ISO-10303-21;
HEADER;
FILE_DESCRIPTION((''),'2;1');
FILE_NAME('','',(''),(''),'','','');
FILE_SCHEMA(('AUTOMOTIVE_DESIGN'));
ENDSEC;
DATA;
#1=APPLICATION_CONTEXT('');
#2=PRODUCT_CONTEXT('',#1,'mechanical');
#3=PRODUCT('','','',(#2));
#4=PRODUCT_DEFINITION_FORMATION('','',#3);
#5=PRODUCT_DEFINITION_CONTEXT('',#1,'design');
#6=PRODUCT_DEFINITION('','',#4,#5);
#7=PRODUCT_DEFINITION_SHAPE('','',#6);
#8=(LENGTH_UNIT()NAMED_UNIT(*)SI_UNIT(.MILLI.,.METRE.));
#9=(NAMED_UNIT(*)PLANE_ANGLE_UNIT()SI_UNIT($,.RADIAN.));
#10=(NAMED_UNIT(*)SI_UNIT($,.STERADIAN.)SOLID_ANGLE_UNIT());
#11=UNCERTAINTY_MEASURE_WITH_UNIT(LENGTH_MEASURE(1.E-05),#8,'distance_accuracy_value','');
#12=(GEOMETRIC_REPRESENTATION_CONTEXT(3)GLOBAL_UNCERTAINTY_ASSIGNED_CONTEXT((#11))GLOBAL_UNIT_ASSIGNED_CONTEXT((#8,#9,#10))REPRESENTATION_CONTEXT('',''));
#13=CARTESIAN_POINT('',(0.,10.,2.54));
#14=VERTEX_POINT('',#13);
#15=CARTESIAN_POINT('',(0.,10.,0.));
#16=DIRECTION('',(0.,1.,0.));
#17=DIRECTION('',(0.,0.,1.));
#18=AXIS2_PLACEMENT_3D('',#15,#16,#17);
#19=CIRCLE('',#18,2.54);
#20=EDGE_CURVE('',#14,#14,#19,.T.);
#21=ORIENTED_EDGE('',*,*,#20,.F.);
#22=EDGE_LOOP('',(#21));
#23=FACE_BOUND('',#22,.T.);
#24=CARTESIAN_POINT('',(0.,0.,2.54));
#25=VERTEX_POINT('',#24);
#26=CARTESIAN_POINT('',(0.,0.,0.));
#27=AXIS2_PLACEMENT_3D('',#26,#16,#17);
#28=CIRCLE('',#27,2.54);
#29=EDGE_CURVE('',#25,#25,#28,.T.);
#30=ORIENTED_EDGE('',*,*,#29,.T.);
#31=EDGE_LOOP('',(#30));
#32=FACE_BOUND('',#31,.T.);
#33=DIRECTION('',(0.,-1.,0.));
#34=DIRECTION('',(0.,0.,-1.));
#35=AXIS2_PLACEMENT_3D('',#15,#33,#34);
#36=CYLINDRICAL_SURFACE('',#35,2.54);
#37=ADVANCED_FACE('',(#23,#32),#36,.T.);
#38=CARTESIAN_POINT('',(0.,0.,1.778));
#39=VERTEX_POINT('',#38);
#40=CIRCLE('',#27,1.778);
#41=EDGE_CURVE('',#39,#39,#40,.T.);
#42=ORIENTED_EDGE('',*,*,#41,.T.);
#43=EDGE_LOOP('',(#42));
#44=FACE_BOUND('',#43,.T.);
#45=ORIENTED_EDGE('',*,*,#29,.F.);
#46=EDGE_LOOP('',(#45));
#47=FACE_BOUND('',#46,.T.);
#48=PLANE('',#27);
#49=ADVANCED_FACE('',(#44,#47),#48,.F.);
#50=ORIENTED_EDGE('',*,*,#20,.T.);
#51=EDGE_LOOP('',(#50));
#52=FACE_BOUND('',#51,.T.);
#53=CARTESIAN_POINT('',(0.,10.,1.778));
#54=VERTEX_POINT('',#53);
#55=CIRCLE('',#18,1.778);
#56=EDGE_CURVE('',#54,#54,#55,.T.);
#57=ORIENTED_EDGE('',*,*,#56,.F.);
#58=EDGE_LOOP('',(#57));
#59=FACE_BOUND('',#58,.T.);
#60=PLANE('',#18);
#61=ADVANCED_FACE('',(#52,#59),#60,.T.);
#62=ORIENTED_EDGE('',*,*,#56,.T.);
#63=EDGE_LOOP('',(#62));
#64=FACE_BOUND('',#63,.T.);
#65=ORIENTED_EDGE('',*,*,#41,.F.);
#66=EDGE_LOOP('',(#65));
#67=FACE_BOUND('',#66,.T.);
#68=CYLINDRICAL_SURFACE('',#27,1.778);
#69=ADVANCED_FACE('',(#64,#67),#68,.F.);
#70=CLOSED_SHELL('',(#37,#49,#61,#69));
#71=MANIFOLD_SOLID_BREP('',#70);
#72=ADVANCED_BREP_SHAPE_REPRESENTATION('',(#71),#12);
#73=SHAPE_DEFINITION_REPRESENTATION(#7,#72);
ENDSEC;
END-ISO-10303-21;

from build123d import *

# Parameters (mm, degrees)
SKETCH2_R           = 2.54
BOSS_EXTRUDE1_DEPTH = 10
SKETCH3_R           = 1.778
CUT_EXTRUDE1_DEPTH  = 10


with BuildPart() as part:
    # Sketch2 → Boss-Extrude1 (new body)
    with BuildSketch(Plane(origin=(0, 0, 0), x_dir=(1, 0, 0), z_dir=(0, 1, 0))):
        with Locations(Location((0, 0, 0), (0, 0, 270))):
            Circle(SKETCH2_R)
    extrude(amount=BOSS_EXTRUDE1_DEPTH)

    # Sketch3 → Cut-Extrude1 (cut)
    with BuildSketch(Plane(origin=(0, 10, 0), x_dir=(1, 0, 0), z_dir=(0, 1, 0))):
        with Locations(Location((0, 0, 0), (0, 0, 270))):
            Circle(SKETCH3_R)
    extrude(amount=-CUT_EXTRUDE1_DEPTH, mode=Mode.SUBTRACT)


solid = part.part
